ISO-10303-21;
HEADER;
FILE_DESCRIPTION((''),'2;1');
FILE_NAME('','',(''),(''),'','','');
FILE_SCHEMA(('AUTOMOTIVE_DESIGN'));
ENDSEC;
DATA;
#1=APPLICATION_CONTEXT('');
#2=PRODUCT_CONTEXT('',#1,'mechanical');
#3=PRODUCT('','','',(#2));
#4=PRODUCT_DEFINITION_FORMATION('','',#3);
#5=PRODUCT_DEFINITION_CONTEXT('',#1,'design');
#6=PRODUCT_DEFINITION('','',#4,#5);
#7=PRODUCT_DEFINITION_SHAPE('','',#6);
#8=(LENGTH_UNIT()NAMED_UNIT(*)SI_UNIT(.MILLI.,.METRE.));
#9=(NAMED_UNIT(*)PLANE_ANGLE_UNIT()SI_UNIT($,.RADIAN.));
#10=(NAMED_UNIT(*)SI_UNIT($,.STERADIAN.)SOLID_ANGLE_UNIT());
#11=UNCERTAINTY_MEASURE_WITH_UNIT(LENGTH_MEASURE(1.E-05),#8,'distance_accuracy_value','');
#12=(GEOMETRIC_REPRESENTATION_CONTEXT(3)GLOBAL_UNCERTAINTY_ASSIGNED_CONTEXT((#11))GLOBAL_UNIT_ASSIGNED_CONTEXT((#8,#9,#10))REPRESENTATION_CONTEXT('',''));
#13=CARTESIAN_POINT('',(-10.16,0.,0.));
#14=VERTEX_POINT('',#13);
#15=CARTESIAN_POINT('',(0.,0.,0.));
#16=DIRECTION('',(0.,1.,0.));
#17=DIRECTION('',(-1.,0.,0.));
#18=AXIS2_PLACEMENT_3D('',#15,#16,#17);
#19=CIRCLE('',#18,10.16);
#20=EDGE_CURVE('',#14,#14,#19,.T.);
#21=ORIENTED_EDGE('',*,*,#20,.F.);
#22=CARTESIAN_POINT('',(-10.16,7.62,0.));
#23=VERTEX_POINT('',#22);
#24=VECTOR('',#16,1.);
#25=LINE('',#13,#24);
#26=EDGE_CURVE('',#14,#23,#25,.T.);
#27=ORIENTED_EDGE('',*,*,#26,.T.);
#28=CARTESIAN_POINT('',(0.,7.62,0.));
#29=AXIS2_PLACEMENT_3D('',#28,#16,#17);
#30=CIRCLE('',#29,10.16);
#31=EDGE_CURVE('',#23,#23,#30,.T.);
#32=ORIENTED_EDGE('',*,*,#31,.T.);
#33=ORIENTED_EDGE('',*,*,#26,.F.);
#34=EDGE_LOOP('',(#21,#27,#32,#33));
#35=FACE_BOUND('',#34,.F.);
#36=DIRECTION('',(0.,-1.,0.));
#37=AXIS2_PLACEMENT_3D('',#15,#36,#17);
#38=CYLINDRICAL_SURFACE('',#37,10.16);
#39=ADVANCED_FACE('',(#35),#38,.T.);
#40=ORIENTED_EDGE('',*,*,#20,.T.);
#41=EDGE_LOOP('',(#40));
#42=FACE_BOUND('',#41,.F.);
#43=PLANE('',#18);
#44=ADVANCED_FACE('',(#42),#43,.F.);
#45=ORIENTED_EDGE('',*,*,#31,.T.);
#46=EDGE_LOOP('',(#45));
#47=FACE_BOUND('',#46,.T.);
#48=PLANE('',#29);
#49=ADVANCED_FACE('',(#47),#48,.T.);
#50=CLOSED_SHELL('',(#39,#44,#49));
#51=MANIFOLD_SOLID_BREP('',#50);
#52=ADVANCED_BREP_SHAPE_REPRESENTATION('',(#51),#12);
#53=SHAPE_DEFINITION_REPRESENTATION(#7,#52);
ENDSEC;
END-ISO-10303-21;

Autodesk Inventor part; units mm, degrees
ref_plane "YZ Plane" through (0, 0, 0) normal (1, 0, 0) x (0, 1, 0)
ref_plane "XZ Plane" through (0, 0, 0) normal (0, 1, 0) x (-1, 0, 0)
ref_plane "XY Plane" through (0, 0, 0) normal (0, 0, 1) x (1, 0, 0)
sketch "Sketch1" plane through (0, 0, 0) normal (0, 1, 0) x (-1, 0, 0)
  circle A0 centre (0, 0) radius 10.16
  dimension "d0" = 20.32
extrude "Extrusion1" add sketch "Sketch1" along normal blind 7.62
properties part number "FerriteCore" material "Iron, Ductile"
